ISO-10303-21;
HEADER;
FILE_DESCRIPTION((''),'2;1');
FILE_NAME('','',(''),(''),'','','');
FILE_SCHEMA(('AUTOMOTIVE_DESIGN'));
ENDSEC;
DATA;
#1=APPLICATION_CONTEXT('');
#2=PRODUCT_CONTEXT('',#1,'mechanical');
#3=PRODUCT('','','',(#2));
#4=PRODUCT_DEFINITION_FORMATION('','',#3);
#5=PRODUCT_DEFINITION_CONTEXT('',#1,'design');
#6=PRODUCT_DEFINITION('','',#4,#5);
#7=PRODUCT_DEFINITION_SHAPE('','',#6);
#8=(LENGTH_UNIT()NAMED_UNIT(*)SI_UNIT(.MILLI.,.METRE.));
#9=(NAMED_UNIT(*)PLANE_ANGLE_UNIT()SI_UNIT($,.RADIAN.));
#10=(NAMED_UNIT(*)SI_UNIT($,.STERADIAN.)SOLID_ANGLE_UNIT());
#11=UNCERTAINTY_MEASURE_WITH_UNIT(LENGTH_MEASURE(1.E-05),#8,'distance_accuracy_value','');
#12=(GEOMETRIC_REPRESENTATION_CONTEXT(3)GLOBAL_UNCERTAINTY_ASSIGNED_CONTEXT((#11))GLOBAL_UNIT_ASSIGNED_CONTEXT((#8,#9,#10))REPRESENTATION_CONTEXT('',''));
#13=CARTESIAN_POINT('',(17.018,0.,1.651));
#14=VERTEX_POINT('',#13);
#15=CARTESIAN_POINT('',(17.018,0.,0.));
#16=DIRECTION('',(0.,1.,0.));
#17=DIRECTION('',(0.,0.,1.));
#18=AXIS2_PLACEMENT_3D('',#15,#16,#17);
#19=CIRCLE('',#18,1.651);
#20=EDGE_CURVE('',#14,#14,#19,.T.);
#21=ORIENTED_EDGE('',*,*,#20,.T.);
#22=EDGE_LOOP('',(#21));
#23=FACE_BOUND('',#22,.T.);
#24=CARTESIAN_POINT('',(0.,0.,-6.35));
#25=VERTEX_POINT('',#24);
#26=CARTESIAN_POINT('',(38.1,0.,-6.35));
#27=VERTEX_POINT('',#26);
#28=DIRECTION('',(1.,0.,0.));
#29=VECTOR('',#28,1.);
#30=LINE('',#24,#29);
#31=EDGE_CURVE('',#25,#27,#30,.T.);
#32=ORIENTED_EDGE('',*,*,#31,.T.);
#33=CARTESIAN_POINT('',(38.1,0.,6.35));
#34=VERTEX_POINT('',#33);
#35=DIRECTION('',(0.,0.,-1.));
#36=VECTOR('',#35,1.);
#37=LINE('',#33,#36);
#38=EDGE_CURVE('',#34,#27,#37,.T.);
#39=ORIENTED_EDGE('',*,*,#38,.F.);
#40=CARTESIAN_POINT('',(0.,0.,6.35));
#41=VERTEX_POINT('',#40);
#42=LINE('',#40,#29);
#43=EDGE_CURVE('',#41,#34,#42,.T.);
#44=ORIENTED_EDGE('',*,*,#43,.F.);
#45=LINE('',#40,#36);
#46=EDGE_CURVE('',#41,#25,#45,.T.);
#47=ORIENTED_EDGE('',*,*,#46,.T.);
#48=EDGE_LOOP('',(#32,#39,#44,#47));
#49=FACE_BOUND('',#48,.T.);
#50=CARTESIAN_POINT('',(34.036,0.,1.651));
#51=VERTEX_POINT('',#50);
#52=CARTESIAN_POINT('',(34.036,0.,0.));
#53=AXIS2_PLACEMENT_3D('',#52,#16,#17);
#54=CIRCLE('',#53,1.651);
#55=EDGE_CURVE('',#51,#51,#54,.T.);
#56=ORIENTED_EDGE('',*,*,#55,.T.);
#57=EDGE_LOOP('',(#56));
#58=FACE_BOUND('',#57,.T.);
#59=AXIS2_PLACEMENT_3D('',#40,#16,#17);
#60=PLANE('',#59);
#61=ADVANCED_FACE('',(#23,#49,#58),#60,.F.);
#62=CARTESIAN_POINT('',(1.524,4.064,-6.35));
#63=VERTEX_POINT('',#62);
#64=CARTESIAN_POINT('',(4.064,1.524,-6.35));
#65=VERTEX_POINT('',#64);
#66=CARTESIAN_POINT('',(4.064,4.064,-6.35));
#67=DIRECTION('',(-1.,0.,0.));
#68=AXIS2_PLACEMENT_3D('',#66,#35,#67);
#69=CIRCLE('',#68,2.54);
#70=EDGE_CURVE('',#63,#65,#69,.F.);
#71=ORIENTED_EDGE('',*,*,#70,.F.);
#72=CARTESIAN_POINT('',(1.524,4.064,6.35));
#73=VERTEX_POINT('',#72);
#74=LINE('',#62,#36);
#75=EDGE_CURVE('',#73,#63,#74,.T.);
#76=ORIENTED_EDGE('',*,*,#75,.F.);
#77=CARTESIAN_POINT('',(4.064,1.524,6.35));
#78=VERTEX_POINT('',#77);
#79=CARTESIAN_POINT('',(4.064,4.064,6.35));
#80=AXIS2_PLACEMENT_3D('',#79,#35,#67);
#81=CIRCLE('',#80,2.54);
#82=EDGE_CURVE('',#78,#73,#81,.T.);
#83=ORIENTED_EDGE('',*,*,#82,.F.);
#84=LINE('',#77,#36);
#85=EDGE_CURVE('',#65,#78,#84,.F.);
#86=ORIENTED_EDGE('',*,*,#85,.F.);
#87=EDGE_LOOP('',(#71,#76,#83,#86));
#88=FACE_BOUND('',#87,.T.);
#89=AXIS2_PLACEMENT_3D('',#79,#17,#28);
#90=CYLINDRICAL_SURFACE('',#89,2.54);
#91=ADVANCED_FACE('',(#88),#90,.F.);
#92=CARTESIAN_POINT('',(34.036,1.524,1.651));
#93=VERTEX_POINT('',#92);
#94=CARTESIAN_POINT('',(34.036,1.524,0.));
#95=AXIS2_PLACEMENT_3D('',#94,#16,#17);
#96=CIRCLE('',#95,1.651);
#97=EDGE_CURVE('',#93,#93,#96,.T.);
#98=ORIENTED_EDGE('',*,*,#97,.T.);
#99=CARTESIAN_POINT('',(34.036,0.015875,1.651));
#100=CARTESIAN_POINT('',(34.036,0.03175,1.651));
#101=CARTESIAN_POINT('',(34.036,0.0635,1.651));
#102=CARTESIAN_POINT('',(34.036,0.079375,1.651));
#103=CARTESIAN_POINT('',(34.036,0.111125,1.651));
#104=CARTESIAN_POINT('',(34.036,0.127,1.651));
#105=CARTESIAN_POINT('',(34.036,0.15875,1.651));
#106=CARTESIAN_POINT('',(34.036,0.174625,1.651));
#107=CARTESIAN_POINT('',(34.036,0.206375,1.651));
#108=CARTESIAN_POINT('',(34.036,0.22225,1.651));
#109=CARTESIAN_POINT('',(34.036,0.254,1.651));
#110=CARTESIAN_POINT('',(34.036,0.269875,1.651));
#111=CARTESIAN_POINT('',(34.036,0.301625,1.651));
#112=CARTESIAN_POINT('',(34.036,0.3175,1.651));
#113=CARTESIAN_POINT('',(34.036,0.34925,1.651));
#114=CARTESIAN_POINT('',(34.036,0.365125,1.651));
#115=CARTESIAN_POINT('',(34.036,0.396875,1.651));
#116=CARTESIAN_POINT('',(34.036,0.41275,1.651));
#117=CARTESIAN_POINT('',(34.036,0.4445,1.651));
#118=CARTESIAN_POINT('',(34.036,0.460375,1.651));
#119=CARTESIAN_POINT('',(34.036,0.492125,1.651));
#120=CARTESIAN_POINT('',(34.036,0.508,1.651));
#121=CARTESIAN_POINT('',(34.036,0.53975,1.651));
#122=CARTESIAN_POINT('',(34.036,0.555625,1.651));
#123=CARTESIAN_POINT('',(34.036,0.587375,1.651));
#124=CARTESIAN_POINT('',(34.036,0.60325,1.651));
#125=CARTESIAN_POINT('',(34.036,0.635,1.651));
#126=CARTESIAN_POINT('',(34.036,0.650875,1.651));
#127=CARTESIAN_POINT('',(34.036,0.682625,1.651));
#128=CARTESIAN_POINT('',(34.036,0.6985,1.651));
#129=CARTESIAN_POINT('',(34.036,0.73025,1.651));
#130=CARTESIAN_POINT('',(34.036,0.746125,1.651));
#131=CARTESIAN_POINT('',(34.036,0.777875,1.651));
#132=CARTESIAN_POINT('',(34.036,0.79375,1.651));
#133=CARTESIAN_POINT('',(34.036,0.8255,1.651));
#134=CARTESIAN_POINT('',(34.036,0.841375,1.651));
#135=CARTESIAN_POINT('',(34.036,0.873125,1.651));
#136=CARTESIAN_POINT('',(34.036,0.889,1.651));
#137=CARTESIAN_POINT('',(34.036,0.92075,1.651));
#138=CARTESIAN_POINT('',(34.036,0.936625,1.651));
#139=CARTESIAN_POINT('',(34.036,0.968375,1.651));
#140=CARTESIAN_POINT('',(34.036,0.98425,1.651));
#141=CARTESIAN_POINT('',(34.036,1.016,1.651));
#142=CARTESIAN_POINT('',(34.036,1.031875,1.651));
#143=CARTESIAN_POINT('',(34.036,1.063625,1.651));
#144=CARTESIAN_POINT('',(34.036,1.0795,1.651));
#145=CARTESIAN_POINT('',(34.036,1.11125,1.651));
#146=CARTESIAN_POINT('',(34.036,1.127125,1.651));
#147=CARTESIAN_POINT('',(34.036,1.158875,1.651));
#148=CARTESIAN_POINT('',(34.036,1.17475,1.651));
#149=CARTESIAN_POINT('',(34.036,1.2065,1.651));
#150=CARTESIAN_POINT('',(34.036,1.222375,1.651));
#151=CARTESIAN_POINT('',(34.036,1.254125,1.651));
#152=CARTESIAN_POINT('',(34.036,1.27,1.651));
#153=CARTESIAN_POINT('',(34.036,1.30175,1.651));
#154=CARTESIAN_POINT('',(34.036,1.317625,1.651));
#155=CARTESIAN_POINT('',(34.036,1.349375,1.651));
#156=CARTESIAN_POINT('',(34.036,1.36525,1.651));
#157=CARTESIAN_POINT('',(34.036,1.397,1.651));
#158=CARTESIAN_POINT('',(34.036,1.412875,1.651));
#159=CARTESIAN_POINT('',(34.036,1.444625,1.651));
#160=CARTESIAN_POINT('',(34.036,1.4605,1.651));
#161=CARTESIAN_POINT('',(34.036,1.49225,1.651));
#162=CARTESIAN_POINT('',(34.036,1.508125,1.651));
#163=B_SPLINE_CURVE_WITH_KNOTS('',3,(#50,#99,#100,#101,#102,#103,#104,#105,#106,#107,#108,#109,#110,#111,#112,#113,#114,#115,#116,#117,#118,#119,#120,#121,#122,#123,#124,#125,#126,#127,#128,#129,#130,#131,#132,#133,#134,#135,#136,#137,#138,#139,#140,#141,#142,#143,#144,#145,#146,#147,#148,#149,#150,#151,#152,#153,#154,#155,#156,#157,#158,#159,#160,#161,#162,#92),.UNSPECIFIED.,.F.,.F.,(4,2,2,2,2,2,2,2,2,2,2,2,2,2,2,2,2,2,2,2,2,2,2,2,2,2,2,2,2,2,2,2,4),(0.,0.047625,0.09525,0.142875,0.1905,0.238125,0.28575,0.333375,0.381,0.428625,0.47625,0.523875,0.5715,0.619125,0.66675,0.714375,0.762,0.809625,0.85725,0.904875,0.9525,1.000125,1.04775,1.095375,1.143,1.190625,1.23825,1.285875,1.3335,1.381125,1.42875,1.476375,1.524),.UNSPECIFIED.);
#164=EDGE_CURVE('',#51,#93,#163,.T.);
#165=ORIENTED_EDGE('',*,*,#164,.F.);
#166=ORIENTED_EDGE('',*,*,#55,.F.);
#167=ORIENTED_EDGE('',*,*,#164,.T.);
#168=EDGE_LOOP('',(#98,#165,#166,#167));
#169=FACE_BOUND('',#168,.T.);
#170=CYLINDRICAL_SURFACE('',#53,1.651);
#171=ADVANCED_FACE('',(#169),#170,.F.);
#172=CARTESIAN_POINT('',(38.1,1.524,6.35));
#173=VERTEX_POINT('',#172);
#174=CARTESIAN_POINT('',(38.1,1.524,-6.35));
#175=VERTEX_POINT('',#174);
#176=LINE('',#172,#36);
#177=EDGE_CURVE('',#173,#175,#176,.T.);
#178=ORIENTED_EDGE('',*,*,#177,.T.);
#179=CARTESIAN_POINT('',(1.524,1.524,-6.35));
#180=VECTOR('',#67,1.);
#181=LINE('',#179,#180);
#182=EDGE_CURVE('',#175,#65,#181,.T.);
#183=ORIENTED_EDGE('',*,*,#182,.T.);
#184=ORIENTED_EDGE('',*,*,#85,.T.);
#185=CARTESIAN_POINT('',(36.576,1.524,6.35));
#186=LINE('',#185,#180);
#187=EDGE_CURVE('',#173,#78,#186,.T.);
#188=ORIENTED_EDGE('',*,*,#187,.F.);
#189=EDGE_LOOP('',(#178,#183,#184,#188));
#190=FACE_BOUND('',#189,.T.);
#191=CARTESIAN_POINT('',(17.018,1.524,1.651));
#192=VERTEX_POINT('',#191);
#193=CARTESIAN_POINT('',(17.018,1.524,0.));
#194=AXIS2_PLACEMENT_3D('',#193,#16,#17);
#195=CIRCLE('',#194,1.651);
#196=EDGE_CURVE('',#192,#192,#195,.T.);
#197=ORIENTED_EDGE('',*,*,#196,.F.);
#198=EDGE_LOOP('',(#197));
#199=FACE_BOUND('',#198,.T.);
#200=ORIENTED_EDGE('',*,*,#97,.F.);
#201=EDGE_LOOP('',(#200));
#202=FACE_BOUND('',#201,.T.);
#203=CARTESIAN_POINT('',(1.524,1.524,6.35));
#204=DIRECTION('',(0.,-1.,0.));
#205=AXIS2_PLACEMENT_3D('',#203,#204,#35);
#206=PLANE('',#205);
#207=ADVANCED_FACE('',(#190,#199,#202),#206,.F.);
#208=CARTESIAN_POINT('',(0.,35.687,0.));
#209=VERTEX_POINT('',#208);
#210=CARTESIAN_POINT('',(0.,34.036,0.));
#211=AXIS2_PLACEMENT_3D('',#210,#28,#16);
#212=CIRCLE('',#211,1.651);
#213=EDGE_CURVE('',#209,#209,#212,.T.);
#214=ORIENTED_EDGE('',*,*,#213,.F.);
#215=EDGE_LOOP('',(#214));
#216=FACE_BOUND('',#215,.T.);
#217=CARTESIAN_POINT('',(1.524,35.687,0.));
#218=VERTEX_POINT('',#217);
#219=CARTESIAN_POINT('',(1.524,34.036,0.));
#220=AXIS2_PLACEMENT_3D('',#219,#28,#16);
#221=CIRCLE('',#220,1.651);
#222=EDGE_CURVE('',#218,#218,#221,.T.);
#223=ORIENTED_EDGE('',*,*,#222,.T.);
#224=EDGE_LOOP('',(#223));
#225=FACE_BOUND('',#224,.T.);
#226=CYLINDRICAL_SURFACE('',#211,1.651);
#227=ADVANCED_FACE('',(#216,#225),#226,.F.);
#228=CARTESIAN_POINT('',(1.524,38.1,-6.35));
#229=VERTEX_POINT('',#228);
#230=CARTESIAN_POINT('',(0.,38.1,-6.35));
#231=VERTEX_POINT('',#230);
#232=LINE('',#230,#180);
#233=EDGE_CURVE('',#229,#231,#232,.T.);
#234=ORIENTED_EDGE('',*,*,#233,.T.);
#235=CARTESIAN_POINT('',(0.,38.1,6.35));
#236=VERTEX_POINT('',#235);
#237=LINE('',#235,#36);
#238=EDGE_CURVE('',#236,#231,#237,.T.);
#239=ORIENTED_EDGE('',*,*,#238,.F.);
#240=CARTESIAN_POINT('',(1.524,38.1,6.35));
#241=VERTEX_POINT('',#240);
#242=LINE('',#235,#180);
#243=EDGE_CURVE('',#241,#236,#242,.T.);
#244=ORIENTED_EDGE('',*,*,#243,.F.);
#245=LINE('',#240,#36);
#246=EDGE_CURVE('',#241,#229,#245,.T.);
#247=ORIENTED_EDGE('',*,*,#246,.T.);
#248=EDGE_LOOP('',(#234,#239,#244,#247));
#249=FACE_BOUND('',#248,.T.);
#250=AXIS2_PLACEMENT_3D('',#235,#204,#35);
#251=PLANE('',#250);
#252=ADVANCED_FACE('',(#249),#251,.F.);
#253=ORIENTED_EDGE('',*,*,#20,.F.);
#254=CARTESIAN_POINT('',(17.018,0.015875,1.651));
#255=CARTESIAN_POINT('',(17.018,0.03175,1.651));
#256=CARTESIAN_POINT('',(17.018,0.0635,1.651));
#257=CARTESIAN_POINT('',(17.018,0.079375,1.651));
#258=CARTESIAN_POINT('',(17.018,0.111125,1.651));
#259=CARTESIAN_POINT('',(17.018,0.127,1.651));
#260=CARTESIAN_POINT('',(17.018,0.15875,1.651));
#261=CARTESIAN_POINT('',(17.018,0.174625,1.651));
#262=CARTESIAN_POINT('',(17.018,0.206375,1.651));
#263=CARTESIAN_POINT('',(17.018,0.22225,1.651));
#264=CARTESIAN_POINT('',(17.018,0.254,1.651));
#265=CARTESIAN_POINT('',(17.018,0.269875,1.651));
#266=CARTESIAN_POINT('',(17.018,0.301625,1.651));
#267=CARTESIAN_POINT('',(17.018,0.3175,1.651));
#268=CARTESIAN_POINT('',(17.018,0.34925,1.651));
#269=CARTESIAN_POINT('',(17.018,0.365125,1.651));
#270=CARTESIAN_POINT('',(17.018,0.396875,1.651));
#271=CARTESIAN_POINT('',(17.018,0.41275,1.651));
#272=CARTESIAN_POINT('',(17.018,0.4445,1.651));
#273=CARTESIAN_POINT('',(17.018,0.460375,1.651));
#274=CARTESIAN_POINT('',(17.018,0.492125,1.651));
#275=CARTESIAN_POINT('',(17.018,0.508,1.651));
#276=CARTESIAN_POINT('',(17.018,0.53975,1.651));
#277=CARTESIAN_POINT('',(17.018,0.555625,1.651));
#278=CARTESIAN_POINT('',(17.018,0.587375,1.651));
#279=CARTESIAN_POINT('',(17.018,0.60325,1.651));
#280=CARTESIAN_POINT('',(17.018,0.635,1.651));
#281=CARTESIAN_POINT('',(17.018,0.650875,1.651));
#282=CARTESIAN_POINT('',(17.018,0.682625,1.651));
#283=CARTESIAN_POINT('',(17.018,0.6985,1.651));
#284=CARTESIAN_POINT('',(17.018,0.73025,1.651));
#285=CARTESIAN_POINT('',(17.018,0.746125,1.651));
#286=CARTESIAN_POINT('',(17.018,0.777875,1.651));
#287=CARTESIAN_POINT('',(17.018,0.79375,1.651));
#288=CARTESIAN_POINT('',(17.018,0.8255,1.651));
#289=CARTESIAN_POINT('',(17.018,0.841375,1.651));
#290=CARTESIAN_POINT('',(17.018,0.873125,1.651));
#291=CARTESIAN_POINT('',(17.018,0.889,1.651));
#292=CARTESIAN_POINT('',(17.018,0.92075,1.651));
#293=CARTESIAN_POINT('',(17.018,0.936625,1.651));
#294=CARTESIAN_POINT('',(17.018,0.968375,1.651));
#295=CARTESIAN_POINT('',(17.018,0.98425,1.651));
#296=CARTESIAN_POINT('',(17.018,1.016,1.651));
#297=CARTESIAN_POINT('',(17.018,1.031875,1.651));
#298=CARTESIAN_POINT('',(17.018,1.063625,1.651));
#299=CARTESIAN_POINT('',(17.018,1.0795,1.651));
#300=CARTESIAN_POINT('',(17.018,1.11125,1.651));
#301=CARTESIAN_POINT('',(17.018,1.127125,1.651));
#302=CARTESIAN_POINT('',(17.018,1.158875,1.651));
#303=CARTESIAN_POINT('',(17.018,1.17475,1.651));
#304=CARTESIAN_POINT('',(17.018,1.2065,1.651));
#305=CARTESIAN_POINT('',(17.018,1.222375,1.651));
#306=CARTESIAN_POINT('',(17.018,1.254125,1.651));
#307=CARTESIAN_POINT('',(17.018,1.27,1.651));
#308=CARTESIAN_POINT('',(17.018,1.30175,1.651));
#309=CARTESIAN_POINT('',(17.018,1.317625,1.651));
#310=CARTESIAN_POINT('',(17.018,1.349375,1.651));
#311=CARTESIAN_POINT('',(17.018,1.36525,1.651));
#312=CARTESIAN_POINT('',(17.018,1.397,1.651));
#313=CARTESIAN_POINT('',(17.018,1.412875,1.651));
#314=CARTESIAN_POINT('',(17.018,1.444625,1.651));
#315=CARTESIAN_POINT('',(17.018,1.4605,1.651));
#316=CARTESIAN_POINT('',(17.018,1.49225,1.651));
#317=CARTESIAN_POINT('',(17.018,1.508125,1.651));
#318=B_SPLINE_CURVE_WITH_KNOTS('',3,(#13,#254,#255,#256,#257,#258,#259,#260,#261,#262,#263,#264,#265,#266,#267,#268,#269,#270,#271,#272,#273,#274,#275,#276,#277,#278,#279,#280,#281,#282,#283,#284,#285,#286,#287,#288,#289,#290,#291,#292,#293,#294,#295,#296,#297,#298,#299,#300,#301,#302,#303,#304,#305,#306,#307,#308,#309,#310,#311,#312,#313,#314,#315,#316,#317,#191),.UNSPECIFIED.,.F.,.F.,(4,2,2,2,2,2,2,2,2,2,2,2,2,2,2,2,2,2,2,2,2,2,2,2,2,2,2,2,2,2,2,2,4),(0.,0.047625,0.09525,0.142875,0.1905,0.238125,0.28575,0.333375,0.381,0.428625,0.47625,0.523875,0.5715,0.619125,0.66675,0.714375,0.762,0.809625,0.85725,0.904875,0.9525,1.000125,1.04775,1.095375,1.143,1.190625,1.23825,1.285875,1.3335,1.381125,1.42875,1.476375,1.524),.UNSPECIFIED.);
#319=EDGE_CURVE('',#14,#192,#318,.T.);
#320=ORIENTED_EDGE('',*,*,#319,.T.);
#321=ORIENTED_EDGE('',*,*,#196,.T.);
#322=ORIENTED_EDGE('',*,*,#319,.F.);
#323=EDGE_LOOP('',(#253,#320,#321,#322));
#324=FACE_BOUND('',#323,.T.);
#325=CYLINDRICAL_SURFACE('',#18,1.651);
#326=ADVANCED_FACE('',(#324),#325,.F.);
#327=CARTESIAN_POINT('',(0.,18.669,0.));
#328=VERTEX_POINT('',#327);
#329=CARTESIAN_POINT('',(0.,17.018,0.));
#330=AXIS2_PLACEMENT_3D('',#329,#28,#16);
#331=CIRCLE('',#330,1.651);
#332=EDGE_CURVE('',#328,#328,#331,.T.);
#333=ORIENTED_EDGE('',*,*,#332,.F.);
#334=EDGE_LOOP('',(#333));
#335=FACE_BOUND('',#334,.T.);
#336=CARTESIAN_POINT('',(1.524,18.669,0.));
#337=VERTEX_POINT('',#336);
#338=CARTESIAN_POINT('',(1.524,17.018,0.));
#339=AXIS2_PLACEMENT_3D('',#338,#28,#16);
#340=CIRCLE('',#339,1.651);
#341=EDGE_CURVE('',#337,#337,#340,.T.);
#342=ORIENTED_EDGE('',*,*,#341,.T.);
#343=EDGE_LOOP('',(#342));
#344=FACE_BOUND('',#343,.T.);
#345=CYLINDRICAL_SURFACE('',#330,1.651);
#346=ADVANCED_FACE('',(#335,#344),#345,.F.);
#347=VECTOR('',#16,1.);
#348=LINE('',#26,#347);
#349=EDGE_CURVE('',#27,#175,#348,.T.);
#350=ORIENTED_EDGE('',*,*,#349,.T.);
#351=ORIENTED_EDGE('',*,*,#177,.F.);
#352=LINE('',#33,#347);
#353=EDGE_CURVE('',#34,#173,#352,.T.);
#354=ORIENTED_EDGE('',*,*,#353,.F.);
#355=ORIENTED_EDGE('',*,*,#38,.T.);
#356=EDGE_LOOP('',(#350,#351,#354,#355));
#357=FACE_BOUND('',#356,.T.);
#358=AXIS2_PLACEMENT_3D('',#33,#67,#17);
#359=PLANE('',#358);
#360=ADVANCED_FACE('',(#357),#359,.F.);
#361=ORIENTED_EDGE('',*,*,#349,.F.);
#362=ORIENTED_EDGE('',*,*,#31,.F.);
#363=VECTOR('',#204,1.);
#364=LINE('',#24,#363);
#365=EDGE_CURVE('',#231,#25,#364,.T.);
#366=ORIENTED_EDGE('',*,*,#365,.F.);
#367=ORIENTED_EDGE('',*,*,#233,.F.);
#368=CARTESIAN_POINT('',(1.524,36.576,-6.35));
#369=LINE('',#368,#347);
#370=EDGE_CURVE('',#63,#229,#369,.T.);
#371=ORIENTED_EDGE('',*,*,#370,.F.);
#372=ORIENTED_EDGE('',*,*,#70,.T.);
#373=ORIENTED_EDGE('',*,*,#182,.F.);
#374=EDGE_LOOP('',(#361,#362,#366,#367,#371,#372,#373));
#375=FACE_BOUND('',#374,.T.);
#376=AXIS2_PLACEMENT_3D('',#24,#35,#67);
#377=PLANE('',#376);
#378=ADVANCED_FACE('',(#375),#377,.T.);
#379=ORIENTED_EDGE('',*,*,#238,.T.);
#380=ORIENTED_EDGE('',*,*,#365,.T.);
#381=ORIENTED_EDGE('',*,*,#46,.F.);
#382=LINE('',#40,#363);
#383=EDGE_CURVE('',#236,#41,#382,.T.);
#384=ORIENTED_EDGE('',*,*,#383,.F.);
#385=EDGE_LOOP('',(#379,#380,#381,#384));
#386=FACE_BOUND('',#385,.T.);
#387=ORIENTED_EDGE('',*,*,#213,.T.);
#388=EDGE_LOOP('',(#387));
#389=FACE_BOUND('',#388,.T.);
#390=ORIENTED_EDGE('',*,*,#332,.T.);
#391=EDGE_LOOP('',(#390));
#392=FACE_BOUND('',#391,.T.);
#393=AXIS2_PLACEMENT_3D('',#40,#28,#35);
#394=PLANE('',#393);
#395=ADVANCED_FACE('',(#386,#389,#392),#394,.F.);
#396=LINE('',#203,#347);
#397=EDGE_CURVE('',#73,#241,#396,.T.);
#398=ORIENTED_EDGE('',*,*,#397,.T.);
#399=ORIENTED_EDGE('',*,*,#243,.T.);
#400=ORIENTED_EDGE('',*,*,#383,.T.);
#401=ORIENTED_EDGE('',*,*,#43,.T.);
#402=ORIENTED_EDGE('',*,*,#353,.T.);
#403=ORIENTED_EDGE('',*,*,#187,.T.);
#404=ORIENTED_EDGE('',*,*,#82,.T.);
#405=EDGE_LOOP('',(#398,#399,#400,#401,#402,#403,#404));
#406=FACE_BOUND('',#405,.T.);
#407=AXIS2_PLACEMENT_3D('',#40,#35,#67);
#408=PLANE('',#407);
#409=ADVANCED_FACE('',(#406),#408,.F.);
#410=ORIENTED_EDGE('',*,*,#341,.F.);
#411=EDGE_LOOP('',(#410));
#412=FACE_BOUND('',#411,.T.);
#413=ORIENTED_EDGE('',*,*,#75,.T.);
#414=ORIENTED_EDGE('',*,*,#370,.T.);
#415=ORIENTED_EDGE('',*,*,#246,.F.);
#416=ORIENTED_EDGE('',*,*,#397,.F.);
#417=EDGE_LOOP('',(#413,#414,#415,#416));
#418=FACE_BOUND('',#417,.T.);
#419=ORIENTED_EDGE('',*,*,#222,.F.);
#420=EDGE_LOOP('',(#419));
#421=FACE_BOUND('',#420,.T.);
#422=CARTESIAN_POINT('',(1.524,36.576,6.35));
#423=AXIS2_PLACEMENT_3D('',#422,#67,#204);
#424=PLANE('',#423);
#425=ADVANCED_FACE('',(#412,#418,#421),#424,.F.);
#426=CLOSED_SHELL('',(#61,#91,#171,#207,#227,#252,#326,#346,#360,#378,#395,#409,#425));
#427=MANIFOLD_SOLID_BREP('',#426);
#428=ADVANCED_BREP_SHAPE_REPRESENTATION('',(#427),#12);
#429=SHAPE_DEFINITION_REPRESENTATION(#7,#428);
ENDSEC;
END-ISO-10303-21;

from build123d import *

# Parameters (mm, degrees)
BOSS_EXTRUDE1_DEPTH = 6.35
FILLET1_R           = 2.54
SKETCH2_R           = 1.651
CUT_EXTRUDE1_DEPTH  = 54.195265541
SKETCH3_R           = 1.651
CUT_EXTRUDE2_DEPTH  = 54.195265541


with BuildPart() as part:
    # Sketch1 → Boss-Extrude1 (new, symmetric)
    with BuildSketch(Plane.XY):
        Polygon((0, 0), (38.1, 0), (38.1, 1.524), (36.576, 1.524), (1.524, 1.524), (1.524, 36.576), (1.524, 38.1), (0, 38.1), align=None)
    extrude(amount=BOSS_EXTRUDE1_DEPTH, both=True)

    # Fillet1
    fillet1_edges = [part.edges().sort_by_distance(p)[0] for p in [
        (1.524, 1.524, 0),
    ]]
    fillet(fillet1_edges, radius=FILLET1_R)

    # Sketch2 → Cut-Extrude1 (cut, through all)
    with BuildSketch(Plane(origin=(1.524, 0, 0), x_dir=(0, 0, -1), z_dir=(1, 0, 0))):
        with Locations(Location((0, 34.036, 0), (0, 0, 90))):
            Circle(SKETCH2_R)
        with Locations(Location((0, 17.018, 0), (0, 0, 90))):
            Circle(SKETCH2_R)
    extrude(amount=-CUT_EXTRUDE1_DEPTH, mode=Mode.SUBTRACT)

    # Sketch3 → Cut-Extrude2 (cut, through all)
    with BuildSketch(Plane(origin=(0, 1.524, 0), x_dir=(1, 0, 0), z_dir=(0, 1, 0))):
        with Locations(Location((17.018, 0, 0), (0, 0, 270))):
            Circle(SKETCH3_R)
        with Locations(Location((34.036, 0, 0), (0, 0, 270))):
            Circle(SKETCH3_R)
    extrude(amount=-CUT_EXTRUDE2_DEPTH, mode=Mode.SUBTRACT)


solid = part.part
